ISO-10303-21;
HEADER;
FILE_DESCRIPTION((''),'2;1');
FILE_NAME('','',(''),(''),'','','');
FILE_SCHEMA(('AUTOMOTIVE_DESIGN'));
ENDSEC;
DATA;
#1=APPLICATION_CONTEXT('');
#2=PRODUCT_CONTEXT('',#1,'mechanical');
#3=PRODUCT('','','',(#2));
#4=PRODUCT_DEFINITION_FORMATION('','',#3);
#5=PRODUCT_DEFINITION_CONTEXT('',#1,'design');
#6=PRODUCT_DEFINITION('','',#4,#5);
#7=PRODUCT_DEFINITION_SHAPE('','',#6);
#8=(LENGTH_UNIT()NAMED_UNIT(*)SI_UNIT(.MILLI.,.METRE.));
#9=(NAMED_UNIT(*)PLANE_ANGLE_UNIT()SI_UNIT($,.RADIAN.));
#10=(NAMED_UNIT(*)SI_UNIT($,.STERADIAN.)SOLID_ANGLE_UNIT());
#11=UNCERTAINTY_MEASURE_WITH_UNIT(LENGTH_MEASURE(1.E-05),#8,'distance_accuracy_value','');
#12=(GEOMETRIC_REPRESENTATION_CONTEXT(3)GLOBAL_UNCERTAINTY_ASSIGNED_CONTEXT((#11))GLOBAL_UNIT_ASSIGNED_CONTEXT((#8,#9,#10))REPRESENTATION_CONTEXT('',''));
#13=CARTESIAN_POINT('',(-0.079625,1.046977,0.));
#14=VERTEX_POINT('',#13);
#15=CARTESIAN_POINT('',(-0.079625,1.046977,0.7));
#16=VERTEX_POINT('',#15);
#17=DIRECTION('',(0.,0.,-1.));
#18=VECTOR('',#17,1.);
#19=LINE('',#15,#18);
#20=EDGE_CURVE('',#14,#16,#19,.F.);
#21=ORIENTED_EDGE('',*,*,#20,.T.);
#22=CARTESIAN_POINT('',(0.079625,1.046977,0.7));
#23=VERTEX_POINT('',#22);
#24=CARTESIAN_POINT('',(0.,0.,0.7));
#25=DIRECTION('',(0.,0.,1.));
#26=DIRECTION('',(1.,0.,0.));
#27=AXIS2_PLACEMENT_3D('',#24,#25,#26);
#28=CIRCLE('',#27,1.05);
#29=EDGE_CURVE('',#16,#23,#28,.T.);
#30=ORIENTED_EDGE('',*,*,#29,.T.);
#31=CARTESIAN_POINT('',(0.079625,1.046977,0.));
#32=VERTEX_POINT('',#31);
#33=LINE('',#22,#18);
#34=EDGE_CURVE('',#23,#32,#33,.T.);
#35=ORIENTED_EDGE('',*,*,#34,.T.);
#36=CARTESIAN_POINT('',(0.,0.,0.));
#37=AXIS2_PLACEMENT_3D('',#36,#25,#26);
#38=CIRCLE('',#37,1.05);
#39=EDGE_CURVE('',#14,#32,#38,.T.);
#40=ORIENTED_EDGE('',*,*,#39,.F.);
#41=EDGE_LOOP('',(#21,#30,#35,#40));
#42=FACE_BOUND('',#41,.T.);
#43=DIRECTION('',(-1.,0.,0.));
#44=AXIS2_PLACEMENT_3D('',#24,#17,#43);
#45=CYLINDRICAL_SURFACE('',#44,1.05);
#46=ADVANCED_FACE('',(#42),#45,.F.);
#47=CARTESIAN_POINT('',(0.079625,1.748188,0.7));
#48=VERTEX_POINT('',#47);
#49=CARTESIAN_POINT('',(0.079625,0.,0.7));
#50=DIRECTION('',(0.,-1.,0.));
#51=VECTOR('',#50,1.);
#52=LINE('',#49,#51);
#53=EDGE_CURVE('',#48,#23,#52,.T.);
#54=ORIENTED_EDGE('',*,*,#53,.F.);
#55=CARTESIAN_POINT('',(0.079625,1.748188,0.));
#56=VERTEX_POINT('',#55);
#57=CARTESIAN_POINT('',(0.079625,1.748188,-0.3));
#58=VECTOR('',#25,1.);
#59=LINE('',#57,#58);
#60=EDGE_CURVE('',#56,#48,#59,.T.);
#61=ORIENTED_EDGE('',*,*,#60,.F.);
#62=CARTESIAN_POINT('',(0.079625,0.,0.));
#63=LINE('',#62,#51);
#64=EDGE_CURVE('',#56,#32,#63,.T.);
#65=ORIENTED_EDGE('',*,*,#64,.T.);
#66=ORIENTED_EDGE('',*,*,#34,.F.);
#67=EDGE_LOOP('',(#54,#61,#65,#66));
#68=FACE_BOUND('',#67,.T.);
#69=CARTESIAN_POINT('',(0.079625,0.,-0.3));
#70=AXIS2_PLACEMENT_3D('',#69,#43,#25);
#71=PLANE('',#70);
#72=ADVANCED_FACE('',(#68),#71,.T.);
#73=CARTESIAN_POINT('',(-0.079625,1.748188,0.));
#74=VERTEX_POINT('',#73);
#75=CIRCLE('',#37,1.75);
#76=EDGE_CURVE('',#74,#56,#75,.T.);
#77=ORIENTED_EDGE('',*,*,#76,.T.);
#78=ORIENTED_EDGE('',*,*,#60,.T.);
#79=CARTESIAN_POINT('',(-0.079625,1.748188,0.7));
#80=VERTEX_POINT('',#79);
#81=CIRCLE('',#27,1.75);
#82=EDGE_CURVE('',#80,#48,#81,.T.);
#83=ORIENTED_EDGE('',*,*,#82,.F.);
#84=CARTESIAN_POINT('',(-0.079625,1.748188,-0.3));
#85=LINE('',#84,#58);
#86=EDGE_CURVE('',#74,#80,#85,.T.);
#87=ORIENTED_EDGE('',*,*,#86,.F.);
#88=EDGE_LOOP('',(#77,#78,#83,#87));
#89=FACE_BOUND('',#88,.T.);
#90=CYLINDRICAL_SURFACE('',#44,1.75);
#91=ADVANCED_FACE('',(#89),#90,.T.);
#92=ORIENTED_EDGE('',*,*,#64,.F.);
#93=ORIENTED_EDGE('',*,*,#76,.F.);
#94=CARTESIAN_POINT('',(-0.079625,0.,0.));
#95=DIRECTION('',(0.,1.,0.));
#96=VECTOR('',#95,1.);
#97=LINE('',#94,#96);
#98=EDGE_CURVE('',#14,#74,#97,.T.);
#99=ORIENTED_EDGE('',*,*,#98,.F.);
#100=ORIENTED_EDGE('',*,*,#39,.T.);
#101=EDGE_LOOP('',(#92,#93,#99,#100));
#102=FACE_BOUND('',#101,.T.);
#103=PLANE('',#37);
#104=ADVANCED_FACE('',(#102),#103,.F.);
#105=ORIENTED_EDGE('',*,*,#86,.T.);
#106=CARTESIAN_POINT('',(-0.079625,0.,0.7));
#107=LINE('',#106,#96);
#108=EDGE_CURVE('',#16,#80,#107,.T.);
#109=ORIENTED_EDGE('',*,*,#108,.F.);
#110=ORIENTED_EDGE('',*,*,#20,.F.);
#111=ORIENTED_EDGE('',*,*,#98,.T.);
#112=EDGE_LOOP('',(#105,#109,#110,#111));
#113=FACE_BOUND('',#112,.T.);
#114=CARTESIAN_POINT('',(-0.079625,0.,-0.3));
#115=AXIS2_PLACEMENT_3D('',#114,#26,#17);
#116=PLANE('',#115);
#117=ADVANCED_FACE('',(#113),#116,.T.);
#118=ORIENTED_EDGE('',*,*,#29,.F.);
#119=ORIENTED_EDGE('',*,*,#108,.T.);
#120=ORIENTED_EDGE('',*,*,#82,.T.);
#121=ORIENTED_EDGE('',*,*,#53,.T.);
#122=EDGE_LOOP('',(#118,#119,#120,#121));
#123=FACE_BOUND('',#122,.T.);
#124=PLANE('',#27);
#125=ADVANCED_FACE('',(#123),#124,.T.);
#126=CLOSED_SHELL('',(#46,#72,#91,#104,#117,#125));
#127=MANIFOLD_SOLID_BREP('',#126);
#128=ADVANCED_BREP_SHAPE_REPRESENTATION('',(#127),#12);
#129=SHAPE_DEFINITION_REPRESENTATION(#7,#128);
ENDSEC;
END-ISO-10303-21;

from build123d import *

# Parameters (mm, degrees)
SKETCH1_R           = 1.75
SKETCH1_R_2         = 1.05
BOSS_EXTRUDE1_DEPTH = 0.7
CUT_EXTRUDE1_START  = -1
CUT_EXTRUDE1_DEPTH  = 1


with BuildPart() as part:
    # Sketch1 → Boss-Extrude1 (new body)
    with BuildSketch(Plane.XY):
        Circle(SKETCH1_R)
        Circle(SKETCH1_R_2, mode=Mode.SUBTRACT)
    extrude(amount=BOSS_EXTRUDE1_DEPTH)

    # Sketch2 → Cut-Extrude1 (cut)
    with BuildSketch(Plane.XY.offset(0.7).offset(CUT_EXTRUDE1_START)):
        with BuildLine():
            Line((-0.07962457, 1.748187612), (-0.07962457, 1.046976565))
            ThreePointArc((-0.07962457, 1.046976565), (0, 1.05), (0.07962457, 1.046976565))
            Line((0.07962457, 1.046976565), (0.07962457, 1.748187612))
            ThreePointArc((0.07962457, 1.748187612), (0, 1.75), (-0.07962457, 1.748187612))
        make_face()
    extrude(amount=CUT_EXTRUDE1_DEPTH, mode=Mode.SUBTRACT)


solid = part.part
